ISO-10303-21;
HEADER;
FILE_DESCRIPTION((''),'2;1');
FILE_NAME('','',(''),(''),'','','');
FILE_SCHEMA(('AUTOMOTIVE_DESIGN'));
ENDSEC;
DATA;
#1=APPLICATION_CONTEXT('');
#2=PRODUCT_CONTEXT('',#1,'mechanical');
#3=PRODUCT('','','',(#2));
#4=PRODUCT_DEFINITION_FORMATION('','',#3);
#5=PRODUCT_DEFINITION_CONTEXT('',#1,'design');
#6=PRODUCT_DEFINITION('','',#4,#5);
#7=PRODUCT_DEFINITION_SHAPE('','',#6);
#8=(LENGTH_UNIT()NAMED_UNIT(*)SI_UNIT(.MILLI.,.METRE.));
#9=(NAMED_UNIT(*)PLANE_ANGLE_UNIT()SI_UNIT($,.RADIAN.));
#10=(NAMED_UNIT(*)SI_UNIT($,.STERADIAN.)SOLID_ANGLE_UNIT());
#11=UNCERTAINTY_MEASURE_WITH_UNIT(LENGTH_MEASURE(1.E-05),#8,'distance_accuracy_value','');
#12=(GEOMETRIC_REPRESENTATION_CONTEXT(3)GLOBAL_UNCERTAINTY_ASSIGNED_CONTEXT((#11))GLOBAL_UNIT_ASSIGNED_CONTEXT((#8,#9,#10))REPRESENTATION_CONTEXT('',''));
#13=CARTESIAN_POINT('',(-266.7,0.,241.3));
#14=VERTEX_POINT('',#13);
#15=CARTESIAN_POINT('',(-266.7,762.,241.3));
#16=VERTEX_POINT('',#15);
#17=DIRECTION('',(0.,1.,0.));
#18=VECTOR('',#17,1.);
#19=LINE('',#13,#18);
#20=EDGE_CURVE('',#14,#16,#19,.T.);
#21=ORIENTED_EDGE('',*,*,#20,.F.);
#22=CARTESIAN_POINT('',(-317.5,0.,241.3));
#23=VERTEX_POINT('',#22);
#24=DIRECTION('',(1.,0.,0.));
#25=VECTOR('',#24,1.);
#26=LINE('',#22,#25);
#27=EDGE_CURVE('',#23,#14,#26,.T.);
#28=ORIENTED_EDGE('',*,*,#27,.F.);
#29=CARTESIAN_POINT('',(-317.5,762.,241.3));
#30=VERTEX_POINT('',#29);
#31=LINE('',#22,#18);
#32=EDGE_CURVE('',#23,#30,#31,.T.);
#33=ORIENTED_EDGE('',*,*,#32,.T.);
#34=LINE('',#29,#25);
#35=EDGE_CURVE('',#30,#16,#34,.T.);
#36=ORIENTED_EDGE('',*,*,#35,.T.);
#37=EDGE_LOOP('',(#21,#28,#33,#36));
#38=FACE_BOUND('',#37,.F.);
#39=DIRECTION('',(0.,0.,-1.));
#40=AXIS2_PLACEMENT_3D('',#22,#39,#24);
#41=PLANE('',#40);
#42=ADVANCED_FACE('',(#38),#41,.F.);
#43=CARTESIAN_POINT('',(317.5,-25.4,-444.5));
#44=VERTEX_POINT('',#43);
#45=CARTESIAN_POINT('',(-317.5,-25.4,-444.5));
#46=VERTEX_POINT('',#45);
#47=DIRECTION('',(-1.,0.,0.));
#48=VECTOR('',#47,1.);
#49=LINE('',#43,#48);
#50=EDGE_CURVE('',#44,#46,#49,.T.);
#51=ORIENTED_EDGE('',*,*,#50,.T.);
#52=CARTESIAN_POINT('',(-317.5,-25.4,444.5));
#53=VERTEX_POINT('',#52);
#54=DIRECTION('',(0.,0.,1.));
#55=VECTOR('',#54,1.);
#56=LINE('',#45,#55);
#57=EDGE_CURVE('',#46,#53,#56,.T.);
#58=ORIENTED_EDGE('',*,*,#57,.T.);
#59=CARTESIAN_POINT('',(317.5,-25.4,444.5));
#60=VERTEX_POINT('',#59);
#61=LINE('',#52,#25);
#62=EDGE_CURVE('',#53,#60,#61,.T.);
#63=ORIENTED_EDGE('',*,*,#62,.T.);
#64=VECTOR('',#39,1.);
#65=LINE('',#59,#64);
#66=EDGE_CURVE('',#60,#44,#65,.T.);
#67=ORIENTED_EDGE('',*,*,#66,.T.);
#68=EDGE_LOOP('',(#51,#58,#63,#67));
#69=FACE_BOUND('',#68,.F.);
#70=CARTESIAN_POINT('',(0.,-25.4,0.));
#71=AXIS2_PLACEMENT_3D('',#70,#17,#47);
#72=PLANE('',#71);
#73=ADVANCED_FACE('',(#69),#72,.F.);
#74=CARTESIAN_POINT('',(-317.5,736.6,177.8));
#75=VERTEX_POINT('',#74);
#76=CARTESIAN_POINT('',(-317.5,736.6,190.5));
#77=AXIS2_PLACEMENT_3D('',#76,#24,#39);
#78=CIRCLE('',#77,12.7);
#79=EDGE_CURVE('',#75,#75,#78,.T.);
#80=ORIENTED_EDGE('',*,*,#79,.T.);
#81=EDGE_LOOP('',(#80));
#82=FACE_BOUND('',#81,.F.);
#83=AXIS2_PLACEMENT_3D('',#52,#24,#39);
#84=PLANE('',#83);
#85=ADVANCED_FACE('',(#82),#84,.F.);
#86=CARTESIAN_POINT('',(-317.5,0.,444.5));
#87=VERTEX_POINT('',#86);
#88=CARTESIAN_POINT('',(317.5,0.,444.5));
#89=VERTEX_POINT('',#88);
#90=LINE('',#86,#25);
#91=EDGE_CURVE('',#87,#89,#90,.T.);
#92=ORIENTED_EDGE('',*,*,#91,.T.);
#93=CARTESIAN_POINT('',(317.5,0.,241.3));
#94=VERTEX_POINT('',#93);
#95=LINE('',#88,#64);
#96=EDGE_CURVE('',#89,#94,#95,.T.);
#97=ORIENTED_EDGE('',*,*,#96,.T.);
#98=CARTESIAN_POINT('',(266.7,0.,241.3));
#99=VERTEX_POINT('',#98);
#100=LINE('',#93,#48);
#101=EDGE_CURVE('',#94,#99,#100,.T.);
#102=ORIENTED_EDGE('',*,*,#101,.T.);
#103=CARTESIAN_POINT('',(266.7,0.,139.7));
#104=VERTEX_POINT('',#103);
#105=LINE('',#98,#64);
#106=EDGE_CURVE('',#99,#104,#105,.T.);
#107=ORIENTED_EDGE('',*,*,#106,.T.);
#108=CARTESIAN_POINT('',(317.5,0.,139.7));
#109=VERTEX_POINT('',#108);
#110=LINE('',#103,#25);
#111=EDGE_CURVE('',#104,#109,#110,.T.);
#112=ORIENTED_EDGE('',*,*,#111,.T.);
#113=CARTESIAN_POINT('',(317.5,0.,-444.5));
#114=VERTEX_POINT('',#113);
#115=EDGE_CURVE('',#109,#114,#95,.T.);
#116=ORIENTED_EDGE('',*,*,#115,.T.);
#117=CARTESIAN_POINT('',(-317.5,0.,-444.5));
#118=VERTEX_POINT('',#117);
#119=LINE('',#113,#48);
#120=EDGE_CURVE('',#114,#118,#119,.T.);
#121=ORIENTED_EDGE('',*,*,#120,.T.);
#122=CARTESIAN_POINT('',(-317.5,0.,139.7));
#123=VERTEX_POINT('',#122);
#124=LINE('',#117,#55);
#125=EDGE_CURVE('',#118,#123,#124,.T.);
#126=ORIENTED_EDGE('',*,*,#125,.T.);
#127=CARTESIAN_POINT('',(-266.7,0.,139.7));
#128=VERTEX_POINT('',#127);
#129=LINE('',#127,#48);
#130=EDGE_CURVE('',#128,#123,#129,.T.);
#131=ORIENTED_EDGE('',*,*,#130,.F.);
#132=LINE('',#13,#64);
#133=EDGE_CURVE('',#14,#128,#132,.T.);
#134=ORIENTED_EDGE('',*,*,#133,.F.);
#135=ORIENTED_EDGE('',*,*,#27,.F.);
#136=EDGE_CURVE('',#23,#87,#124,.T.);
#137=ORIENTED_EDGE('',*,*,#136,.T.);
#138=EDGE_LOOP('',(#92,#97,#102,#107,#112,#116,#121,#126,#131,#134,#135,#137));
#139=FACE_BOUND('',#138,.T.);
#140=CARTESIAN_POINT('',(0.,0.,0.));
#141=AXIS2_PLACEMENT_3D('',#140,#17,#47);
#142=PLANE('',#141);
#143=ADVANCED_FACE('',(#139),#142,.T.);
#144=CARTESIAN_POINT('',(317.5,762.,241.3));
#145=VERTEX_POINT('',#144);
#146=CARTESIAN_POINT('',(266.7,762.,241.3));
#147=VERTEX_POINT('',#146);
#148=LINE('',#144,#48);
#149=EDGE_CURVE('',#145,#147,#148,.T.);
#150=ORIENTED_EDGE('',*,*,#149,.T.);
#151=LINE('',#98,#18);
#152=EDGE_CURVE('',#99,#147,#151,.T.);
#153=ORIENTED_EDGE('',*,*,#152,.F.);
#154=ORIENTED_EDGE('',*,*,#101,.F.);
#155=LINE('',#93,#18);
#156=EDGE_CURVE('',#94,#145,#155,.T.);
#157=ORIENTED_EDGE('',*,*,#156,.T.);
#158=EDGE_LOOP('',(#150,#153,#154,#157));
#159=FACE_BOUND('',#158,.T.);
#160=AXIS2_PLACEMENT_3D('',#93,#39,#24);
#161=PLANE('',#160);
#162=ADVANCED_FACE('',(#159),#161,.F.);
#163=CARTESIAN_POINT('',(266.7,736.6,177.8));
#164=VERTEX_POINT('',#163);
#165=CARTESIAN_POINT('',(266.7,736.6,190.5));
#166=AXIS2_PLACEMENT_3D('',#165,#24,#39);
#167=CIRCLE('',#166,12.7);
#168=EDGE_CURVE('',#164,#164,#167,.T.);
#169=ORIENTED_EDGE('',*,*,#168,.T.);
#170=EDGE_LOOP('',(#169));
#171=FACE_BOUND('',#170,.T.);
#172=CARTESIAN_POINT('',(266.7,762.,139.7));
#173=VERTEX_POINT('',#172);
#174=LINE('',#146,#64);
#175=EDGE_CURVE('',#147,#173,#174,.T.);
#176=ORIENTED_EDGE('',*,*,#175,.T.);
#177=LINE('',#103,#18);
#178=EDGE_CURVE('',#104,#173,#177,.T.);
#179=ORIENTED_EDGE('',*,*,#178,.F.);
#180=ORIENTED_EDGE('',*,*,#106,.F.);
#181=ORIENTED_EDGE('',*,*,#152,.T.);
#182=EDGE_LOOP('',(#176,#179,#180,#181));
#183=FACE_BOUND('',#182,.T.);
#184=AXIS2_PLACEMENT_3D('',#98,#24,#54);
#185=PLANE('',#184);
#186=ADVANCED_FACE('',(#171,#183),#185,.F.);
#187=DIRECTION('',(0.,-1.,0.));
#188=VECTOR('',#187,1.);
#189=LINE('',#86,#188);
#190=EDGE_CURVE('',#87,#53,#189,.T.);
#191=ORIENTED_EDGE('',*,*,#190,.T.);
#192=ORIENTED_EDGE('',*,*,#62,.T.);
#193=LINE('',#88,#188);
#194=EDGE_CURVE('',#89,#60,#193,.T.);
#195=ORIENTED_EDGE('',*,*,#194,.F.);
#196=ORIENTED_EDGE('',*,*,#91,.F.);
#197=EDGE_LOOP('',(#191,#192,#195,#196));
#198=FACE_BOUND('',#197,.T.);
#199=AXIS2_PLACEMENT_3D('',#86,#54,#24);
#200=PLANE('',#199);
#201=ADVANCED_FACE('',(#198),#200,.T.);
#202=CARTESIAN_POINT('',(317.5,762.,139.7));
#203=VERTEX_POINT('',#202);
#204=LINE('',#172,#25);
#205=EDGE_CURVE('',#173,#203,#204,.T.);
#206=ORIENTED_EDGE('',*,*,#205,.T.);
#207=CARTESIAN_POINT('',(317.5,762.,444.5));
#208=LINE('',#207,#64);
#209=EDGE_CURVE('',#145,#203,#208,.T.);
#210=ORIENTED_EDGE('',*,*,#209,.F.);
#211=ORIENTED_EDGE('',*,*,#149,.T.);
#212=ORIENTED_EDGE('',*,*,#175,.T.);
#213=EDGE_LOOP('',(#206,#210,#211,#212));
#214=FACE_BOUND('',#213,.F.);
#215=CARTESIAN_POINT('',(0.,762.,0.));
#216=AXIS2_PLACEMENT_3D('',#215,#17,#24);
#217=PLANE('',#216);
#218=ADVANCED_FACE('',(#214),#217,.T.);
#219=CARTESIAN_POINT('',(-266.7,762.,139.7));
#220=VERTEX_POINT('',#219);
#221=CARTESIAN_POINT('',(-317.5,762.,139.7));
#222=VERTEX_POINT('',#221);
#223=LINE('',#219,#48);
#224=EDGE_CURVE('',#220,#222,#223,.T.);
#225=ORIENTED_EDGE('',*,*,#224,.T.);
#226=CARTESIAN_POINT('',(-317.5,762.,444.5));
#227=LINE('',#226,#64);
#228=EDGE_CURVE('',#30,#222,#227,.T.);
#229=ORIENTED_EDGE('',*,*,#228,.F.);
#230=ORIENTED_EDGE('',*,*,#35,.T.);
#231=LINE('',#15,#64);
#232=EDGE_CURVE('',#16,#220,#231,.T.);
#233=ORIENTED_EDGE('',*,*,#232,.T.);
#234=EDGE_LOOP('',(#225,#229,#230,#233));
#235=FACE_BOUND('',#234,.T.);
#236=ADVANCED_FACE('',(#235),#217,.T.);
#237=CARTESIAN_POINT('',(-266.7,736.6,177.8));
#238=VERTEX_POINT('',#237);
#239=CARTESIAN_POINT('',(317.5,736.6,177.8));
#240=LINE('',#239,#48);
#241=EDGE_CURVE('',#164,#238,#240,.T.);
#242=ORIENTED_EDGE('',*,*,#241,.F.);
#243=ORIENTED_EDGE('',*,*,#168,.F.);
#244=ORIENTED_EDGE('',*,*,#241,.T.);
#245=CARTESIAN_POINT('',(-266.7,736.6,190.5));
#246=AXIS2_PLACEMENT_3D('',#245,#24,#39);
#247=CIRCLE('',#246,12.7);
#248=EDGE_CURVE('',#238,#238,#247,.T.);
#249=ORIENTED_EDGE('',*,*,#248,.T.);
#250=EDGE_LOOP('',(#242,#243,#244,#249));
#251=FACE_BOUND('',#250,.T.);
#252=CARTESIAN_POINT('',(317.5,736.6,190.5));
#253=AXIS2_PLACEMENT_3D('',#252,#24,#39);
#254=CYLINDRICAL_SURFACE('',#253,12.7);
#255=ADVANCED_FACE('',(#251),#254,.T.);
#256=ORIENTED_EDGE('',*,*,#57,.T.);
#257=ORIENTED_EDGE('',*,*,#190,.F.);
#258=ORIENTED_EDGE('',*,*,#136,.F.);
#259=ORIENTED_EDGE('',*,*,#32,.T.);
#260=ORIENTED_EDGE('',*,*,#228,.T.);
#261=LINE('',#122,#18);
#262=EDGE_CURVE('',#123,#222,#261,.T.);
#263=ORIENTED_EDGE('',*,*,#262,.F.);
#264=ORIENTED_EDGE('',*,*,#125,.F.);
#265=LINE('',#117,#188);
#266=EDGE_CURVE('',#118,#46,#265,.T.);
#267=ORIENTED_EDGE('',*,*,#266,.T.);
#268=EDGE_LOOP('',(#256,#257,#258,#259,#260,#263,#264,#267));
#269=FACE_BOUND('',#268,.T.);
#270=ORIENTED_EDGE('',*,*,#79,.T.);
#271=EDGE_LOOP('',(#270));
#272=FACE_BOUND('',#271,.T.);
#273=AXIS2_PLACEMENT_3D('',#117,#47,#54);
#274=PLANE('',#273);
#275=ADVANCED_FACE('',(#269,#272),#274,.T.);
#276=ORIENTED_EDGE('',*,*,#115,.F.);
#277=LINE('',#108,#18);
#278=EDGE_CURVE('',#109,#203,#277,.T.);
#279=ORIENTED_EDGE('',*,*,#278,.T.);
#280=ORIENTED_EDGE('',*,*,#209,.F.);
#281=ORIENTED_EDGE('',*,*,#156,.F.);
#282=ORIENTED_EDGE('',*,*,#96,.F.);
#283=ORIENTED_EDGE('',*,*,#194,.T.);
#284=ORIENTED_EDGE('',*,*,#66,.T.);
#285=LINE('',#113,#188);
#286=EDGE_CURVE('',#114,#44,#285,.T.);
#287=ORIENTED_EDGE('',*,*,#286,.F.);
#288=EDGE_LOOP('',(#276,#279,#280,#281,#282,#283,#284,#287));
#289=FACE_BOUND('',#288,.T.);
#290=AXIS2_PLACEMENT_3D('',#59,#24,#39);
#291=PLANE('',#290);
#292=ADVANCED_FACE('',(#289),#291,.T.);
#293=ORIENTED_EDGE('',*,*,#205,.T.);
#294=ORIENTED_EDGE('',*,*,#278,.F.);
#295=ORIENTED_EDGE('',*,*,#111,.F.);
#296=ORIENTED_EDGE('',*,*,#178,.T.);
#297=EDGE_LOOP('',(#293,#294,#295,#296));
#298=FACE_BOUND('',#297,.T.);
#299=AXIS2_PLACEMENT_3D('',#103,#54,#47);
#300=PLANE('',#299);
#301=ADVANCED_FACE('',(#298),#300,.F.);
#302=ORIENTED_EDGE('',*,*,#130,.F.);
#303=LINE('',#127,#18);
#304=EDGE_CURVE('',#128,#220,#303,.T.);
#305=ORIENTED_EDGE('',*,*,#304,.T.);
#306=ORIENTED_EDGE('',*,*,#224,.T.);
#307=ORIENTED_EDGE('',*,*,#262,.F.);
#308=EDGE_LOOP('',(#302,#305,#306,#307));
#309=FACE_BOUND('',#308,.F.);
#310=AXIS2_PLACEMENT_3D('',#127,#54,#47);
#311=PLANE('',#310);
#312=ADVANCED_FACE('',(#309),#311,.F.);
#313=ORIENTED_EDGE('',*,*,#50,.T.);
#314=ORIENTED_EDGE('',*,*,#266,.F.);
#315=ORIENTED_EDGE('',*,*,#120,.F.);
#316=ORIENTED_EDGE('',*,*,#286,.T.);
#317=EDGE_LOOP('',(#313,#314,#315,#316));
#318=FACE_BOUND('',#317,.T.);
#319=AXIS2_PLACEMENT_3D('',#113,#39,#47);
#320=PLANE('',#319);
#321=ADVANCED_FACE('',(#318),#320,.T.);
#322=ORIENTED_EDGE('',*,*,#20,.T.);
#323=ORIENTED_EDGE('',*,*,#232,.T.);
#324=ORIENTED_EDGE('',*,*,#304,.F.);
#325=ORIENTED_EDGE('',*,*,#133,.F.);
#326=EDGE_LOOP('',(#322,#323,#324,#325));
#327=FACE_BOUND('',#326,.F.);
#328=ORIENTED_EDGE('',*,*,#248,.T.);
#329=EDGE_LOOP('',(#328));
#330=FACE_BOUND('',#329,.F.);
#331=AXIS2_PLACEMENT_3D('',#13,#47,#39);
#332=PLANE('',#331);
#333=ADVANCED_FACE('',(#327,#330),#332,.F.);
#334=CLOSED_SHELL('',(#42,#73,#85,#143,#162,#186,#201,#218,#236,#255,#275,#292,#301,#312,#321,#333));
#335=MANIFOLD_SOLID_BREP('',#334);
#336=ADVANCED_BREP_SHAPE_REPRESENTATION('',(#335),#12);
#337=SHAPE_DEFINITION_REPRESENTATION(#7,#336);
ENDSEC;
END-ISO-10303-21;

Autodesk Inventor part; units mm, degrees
ref_plane "YZ Plane" through (0, 0, 0) normal (1, 0, 0) x (0, 1, 0)
ref_plane "XZ Plane" through (0, 0, 0) normal (0, 1, 0) x (-1, 0, 0)
ref_plane "XY Plane" through (0, 0, 0) normal (0, 0, 1) x (1, 0, 0)
sketch "Sketch1" plane through (0, 0, 0) normal (0, 1, 0) x (-1, 0, 0)
  line L0 (317.5, 444.5) -> (-317.5, 444.5)
  line L1 (-317.5, 444.5) -> (-317.5, -444.5)
  line L2 (-317.5, -444.5) -> (317.5, -444.5)
  line L3 (317.5, -444.5) -> (317.5, 444.5)
  line L4 (317.5, 444.5) -> (-317.5, -444.5) construction
  line L5 (-317.5, 444.5) -> (317.5, -444.5) construction
  point P0 (0, 0)
  dimension "d0" = 635
  dimension "d1" = 889
extrude "Extrusion1" add sketch "Sketch1" against normal blind 25.4
sketch "Sketch2" plane through (0, 0, 0) normal (0, 1, 0) x (1, 0, 0)
  line L0 (-317.5, -444.5) -> (-317.5, 444.5) projected
  line L1 (-317.5, -241.3) -> (-266.7, -241.3)
  line L2 (-266.7, -241.3) -> (-266.7, -139.7)
  line L3 (-266.7, -139.7) -> (-317.5, -139.7)
  line L4 (-317.5, -139.7) -> (-317.5, -241.3)
  line L5 (-317.5, -444.5) -> (317.5, -444.5) projected
  point P0 (0, 0)
  dimension "d6" = 101.6
  dimension "d7" = 50.8
  dimension "d8" = 203.2
extrude "Extrusion2" add sketch "Sketch2" along normal blind 762
mirror "Mirror1" about plane through (0, 0, 0) normal (1, 0, 0) of "Extrusion2"
sketch "Sketch3" plane through (317.5, -25.4, 444.5) normal (1, 0, 0) x (0, 0, -1)
  line L0 (304.8, 787.4) -> (203.2, 787.4) construction
  line L1 (254, 787.4) -> (254, -228.6) construction
  circle A0 centre (254, 762) radius 12.7
  point P0 (444.5, 25.4)
  dimension "d9" = 25.4
  dimension "d10" = 25.4
extrude "Extrusion4" add sketch "Sketch3" against normal through all
equation "\"d4\" = heightOfArm"
equation "\"robotLength\" = 889"
equation "\"heightOfArm\" = 762"
properties part number "Catapult"
